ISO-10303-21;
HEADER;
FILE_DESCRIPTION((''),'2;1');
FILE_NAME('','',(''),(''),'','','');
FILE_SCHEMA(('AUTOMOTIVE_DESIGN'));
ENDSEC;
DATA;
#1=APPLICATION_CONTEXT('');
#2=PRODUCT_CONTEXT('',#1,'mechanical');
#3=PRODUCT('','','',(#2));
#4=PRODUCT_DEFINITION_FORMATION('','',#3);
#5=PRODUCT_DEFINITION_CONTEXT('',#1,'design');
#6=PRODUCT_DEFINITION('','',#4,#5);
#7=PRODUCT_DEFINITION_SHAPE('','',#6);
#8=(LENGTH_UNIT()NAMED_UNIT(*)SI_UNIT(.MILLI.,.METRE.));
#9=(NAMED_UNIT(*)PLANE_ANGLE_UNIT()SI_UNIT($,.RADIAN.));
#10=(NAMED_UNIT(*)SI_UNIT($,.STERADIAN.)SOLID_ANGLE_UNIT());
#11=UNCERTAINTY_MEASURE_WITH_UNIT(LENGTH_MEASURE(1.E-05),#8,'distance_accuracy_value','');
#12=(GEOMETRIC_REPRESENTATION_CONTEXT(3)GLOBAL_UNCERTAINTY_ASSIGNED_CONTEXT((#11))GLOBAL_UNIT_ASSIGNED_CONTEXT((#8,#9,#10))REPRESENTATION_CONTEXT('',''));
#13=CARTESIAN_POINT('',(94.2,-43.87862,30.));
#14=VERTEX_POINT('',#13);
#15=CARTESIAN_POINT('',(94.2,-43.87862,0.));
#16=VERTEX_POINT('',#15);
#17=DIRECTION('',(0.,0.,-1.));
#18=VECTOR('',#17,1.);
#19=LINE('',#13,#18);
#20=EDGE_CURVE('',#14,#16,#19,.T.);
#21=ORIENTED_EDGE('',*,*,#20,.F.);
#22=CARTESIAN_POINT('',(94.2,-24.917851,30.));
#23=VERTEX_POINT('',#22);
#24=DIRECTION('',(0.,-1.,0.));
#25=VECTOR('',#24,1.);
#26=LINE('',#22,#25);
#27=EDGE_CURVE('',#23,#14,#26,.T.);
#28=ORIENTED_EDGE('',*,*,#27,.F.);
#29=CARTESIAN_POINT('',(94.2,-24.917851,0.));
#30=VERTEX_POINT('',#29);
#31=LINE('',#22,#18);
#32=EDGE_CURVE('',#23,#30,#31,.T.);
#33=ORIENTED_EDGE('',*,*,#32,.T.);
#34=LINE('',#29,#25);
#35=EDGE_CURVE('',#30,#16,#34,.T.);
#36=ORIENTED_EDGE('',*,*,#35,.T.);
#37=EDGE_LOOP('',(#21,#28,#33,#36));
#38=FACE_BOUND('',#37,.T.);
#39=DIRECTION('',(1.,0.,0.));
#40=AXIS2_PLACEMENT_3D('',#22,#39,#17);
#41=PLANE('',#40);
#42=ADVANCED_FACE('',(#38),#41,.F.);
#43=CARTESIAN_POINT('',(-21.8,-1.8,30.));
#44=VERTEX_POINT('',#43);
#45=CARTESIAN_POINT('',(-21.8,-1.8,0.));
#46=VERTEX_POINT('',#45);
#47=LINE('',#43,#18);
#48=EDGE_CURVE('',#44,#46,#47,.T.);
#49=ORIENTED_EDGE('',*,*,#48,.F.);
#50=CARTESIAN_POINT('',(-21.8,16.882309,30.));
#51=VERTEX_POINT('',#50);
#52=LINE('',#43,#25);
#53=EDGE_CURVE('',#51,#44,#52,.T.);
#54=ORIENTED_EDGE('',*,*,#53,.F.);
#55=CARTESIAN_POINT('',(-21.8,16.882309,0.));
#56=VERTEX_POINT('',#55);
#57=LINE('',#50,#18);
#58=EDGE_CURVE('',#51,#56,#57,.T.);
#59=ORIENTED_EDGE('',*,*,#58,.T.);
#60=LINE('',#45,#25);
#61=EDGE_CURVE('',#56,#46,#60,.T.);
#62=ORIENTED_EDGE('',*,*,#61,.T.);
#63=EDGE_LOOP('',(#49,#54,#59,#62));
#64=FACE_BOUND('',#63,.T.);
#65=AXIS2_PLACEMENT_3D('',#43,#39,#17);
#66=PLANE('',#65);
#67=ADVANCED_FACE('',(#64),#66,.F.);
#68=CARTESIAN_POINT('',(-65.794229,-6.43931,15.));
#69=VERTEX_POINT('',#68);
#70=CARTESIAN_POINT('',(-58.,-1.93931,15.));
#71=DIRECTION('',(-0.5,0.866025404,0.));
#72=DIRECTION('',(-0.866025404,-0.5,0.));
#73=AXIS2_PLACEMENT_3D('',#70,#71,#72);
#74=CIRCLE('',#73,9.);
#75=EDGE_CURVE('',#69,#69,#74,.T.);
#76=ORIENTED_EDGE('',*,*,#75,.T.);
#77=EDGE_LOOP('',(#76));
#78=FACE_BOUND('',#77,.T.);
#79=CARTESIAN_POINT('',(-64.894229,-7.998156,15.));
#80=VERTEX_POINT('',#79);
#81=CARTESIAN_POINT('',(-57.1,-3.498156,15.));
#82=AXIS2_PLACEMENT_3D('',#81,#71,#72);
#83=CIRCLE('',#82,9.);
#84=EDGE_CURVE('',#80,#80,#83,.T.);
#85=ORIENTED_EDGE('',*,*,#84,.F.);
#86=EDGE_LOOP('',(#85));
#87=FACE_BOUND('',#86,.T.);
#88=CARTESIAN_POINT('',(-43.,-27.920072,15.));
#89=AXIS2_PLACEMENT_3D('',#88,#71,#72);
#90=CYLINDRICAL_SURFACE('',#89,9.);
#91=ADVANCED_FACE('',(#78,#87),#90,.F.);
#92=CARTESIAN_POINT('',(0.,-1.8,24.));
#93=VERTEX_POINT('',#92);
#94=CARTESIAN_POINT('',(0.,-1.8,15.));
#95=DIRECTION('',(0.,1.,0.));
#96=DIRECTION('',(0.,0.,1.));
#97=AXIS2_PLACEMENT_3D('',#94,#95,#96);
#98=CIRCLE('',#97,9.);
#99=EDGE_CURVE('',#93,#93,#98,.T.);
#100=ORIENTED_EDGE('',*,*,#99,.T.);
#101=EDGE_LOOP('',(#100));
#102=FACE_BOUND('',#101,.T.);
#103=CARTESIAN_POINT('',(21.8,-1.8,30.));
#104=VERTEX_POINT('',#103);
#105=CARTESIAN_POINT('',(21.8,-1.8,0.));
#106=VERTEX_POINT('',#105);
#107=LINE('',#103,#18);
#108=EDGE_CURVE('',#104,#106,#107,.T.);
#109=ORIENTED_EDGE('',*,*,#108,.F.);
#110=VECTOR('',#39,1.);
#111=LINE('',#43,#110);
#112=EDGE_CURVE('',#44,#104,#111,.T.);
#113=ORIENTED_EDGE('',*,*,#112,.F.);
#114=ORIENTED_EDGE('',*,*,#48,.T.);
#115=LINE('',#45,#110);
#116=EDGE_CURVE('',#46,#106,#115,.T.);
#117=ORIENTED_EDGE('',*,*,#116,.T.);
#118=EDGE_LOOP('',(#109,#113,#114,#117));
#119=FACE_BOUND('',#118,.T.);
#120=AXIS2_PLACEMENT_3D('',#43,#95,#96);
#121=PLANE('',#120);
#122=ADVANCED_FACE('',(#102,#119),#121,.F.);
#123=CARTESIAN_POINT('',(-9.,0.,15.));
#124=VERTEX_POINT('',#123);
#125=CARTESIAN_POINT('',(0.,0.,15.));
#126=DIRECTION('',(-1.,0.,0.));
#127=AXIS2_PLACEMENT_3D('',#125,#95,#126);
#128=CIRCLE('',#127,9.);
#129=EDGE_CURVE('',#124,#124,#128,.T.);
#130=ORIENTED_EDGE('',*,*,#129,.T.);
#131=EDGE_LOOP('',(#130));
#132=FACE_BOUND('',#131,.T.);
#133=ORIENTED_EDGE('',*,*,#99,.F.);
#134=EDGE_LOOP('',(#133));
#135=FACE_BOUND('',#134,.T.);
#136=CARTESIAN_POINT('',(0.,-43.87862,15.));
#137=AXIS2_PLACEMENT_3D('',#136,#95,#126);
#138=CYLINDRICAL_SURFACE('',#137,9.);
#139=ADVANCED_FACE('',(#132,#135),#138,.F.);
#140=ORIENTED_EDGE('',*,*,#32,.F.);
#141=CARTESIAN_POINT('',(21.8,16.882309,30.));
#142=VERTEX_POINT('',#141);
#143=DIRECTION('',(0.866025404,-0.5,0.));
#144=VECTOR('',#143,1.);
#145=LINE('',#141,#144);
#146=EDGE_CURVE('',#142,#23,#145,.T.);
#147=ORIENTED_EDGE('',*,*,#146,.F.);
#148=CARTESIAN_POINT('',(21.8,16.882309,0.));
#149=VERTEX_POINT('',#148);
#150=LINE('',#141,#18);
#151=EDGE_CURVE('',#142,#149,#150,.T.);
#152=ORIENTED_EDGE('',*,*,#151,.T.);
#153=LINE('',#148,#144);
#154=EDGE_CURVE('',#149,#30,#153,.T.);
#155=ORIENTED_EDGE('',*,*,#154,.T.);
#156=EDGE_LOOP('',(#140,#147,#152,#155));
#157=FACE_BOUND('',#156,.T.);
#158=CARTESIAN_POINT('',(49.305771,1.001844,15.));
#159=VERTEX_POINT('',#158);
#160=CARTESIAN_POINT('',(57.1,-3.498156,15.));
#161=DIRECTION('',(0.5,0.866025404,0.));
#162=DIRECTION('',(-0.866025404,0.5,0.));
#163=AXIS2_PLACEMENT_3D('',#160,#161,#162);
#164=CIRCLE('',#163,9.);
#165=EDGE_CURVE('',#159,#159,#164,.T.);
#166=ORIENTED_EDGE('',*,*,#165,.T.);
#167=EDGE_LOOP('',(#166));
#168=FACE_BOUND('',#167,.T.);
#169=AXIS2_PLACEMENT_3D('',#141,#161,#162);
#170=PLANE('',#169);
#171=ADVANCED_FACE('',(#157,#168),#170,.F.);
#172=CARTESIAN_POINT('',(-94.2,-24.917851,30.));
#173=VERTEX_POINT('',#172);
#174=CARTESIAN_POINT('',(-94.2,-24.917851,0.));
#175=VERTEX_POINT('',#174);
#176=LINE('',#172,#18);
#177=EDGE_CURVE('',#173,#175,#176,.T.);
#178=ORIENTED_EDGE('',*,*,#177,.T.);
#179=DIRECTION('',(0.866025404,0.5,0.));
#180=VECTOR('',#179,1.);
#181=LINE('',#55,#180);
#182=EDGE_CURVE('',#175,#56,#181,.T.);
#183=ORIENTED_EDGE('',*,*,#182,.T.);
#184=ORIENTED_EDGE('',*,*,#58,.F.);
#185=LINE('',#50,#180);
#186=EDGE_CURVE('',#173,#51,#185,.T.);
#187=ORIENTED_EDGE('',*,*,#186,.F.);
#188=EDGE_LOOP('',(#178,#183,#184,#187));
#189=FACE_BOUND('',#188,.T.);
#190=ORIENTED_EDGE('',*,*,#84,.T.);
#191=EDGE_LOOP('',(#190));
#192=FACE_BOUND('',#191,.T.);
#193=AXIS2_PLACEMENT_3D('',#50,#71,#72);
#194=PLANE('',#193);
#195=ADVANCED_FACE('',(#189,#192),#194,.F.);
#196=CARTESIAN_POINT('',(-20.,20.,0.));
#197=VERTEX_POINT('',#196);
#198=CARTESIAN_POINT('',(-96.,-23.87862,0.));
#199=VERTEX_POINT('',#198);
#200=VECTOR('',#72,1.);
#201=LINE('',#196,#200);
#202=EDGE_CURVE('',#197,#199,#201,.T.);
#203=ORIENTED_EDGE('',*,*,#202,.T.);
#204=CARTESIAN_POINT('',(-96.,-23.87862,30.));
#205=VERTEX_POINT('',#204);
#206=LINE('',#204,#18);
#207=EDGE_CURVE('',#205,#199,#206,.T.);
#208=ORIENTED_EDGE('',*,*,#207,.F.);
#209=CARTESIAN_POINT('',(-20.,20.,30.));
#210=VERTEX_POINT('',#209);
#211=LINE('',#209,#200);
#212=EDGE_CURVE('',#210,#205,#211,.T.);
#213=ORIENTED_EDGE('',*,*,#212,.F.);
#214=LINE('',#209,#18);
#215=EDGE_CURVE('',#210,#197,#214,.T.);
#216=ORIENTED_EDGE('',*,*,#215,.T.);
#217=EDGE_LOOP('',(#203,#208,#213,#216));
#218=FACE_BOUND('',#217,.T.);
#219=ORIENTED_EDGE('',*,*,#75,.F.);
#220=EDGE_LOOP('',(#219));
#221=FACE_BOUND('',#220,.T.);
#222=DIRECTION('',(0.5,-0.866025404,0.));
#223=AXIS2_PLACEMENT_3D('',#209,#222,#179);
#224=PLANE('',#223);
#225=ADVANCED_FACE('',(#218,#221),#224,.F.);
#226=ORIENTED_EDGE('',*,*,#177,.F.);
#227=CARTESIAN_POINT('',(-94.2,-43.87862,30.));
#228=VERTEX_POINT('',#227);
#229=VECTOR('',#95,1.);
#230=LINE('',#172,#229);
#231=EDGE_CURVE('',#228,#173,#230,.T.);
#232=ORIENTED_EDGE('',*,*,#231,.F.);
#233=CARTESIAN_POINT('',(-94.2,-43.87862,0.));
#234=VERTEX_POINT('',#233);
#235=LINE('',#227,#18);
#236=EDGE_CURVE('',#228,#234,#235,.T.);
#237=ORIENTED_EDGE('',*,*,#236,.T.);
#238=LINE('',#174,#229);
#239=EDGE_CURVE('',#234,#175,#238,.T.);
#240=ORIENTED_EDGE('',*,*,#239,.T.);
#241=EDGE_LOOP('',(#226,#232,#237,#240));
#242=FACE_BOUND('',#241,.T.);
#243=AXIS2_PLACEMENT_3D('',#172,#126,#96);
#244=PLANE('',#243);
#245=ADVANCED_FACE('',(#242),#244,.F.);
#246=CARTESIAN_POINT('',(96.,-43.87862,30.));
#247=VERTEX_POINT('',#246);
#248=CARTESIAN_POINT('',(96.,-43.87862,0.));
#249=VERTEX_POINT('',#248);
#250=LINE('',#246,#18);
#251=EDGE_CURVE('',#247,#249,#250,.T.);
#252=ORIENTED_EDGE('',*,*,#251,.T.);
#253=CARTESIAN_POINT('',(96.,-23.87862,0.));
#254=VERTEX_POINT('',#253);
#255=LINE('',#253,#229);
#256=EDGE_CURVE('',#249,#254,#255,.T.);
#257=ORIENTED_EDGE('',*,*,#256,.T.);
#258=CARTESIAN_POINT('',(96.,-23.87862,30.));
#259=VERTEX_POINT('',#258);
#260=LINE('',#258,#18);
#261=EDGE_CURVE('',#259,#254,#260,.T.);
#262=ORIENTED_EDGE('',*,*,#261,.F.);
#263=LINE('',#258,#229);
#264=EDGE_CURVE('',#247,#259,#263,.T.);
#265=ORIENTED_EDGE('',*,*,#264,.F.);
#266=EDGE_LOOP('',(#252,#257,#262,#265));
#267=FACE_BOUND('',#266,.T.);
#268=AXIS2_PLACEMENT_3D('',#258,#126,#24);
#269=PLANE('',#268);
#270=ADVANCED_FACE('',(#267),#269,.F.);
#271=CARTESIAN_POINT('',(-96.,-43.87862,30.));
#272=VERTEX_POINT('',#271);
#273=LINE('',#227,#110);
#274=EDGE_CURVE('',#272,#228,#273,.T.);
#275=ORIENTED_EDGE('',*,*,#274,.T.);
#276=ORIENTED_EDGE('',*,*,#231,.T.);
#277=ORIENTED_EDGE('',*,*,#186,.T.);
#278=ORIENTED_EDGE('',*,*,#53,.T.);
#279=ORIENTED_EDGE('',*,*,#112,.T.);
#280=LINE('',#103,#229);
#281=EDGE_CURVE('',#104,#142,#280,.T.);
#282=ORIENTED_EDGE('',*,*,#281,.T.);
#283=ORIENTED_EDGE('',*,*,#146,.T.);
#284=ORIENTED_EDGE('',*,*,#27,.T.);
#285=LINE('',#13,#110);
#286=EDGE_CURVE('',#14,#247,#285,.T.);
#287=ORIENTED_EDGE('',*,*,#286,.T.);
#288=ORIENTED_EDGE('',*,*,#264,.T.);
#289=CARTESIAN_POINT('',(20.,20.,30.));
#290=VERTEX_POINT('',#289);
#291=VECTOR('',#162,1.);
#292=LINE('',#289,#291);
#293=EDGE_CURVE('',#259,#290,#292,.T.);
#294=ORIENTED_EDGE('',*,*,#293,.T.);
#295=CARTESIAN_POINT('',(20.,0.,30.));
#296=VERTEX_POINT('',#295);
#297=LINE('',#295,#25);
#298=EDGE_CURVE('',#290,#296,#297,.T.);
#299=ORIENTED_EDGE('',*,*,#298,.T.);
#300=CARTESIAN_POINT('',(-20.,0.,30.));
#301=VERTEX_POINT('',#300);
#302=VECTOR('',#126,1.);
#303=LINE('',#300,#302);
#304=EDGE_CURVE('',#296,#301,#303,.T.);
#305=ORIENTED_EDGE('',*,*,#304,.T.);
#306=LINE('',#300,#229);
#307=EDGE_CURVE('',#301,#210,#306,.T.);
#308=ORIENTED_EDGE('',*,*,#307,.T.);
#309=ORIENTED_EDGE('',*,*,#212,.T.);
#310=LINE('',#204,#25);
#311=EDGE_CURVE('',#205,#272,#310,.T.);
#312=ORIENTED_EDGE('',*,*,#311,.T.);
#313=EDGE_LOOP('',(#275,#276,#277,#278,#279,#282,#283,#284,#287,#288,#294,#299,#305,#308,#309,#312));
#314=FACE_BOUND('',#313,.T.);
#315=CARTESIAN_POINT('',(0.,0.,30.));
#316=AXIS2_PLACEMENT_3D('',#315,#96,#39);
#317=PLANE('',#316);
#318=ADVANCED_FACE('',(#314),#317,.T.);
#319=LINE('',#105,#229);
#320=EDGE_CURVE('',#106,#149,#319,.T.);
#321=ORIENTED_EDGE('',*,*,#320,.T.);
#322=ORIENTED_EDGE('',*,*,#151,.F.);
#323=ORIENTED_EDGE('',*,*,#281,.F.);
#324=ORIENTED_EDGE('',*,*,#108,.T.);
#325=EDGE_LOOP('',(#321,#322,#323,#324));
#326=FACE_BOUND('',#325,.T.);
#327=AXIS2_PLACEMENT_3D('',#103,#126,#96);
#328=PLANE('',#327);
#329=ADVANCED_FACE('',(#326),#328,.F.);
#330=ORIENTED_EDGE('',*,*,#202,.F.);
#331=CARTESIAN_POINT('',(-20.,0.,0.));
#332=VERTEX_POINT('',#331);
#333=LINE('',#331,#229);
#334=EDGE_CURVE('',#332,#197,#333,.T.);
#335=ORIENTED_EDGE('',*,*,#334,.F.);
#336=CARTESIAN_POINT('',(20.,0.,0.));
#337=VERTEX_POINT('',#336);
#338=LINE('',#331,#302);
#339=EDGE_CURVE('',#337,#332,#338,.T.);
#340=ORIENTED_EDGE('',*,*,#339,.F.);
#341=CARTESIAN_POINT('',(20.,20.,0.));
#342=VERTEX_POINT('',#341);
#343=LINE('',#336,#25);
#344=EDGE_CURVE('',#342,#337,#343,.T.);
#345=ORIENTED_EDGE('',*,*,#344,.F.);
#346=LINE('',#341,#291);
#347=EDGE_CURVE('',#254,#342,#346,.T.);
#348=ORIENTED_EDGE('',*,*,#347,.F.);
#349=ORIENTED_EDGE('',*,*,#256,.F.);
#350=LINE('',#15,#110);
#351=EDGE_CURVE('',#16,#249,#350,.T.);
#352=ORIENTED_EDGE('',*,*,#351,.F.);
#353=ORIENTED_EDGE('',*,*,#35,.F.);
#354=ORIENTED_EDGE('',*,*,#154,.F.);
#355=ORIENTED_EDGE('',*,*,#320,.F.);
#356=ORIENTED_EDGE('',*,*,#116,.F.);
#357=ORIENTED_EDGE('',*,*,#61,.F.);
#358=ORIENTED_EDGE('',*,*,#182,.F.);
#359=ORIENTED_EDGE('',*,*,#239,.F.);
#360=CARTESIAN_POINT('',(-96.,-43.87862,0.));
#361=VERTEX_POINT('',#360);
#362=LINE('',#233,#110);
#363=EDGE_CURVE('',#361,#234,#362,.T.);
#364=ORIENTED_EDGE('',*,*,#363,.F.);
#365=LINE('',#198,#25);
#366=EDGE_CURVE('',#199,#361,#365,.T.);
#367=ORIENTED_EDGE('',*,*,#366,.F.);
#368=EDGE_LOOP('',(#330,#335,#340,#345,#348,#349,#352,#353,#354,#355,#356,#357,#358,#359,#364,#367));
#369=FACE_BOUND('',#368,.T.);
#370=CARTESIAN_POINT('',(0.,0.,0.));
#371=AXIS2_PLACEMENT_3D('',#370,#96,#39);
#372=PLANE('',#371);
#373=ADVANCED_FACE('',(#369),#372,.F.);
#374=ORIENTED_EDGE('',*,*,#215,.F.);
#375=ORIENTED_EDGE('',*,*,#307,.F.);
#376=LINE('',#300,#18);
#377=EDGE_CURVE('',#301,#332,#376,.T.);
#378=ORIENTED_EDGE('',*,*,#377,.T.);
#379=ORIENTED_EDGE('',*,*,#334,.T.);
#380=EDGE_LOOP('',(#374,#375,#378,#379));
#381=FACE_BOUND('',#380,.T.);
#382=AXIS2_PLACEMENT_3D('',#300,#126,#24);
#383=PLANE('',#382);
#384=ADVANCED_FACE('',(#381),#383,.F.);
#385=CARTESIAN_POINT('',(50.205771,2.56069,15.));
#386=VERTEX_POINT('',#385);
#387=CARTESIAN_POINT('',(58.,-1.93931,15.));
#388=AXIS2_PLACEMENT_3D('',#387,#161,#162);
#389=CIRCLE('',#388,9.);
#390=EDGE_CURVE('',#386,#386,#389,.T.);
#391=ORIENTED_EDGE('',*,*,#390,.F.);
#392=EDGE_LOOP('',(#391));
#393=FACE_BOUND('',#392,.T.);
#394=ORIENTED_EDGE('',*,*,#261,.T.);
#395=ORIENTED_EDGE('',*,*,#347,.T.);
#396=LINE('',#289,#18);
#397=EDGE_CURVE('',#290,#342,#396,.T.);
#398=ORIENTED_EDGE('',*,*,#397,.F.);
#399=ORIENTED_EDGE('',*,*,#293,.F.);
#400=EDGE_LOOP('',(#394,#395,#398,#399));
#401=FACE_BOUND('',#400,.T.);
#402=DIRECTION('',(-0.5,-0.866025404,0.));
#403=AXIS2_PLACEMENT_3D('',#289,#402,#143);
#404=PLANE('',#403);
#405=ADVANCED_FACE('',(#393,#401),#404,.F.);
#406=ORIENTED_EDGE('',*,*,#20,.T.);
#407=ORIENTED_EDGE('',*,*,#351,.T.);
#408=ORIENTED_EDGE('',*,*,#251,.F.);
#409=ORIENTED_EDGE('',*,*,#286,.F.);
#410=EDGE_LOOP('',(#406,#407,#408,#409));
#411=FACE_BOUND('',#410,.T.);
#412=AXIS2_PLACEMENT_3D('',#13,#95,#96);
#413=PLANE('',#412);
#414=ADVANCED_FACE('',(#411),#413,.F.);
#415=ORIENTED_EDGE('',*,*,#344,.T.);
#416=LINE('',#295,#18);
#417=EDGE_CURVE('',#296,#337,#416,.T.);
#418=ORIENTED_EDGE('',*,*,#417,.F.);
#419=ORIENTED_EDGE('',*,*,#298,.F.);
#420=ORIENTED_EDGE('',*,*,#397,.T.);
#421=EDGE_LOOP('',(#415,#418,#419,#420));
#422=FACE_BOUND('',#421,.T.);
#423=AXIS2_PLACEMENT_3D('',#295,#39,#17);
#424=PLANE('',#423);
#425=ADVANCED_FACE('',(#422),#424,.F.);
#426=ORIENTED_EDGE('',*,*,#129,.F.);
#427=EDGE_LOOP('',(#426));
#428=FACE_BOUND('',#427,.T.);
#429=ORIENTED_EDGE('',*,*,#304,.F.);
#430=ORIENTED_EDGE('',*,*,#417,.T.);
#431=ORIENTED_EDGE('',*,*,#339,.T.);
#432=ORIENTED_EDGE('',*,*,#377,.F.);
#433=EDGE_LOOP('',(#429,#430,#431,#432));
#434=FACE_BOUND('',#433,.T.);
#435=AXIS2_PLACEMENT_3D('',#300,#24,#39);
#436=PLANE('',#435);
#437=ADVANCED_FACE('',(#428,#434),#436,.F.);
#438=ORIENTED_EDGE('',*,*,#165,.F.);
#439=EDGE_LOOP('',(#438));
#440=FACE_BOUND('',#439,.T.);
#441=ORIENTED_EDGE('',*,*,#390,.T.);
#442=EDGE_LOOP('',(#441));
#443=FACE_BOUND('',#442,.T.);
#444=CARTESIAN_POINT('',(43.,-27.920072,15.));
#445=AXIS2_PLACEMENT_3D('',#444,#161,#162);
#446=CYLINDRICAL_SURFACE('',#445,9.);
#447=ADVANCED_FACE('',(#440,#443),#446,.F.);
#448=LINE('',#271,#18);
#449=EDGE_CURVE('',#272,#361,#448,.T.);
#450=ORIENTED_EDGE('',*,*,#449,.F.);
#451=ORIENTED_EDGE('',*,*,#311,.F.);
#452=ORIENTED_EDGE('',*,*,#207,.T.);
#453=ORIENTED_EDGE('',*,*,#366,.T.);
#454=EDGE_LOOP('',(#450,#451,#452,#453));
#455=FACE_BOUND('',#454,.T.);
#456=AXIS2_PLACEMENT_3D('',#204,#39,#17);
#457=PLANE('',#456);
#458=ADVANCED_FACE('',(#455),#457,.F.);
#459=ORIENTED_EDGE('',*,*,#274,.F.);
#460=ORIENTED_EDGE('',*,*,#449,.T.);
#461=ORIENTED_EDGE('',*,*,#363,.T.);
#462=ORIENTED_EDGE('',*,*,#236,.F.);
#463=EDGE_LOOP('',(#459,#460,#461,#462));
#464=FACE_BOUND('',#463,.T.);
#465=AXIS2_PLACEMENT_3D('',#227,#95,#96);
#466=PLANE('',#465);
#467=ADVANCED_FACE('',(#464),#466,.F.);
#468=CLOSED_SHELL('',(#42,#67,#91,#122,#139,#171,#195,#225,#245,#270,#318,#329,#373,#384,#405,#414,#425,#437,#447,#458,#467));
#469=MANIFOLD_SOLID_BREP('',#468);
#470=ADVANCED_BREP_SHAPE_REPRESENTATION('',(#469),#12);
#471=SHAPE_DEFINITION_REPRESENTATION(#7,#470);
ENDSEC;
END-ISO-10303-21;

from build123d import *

# Parameters (mm, degrees)
SALIENTE_EXTRUIR1_DEPTH = 30
CROQUIS2_R              = 9
CORTAR_EXTRUIR1_DEPTH   = 110.733009315
CROQUIS3_R              = 9
CORTAR_EXTRUIR2_DEPTH   = 30
CROQUIS4_R              = 9
CORTAR_EXTRUIR3_DEPTH   = 30


with BuildPart() as part:
    # Croquis1 → Saliente-Extruir1 (new body)
    with BuildSketch(Plane.XY):
        Polygon((-20, 0), (20, 0), (20, 20), (96, -23.878620458), (96, -43.878620458), (94.2, -43.878620458), (94.2, -24.917850943), (21.8, 16.882308546), (21.8, -1.8), (-21.8, -1.8), (-21.8, 16.882308546), (-94.2, -24.917850943), (-94.2, -43.878620458), (-96, -43.878620458), (-96, -23.878620458), (-20, 20), align=None)
    extrude(amount=SALIENTE_EXTRUIR1_DEPTH)

    # Croquis2 → Cortar-Extruir1 (cut, through all)
    with BuildSketch(Plane(origin=(0, 0, 0), x_dir=(1, 0, 0), z_dir=(0, 1, 0))):
        with Locations(Location((0, -15, 0), (0, 0, 180))):
            Circle(CROQUIS2_R)
    extrude(amount=-CORTAR_EXTRUIR1_DEPTH, mode=Mode.SUBTRACT)

    # Croquis3 → Cortar-Extruir2 (cut)
    with BuildSketch(Plane(origin=(13.660254038, 23.660254038, 0), x_dir=(0.866025403784438, -0.5000000000000012, 0), z_dir=(0.5000000000000012, 0.866025403784438, 0))):
        with Locations(Location((51.199128534, -15, 0), (0, 0, 180))):
            Circle(CROQUIS3_R)
    extrude(amount=-CORTAR_EXTRUIR2_DEPTH, mode=Mode.SUBTRACT)

    # Croquis4 → Cortar-Extruir3 (cut)
    with BuildSketch(Plane(origin=(-13.660254038, 23.660254038, 0), x_dir=(0.8660254037844378, 0.5000000000000017, 0), z_dir=(-0.5000000000000016, 0.8660254037844377, 0))):
        with Locations(Location((-51.199128534, -15, 0), (0, 0, 180))):
            Circle(CROQUIS4_R)
    extrude(amount=-CORTAR_EXTRUIR3_DEPTH, mode=Mode.SUBTRACT)


solid = part.part
